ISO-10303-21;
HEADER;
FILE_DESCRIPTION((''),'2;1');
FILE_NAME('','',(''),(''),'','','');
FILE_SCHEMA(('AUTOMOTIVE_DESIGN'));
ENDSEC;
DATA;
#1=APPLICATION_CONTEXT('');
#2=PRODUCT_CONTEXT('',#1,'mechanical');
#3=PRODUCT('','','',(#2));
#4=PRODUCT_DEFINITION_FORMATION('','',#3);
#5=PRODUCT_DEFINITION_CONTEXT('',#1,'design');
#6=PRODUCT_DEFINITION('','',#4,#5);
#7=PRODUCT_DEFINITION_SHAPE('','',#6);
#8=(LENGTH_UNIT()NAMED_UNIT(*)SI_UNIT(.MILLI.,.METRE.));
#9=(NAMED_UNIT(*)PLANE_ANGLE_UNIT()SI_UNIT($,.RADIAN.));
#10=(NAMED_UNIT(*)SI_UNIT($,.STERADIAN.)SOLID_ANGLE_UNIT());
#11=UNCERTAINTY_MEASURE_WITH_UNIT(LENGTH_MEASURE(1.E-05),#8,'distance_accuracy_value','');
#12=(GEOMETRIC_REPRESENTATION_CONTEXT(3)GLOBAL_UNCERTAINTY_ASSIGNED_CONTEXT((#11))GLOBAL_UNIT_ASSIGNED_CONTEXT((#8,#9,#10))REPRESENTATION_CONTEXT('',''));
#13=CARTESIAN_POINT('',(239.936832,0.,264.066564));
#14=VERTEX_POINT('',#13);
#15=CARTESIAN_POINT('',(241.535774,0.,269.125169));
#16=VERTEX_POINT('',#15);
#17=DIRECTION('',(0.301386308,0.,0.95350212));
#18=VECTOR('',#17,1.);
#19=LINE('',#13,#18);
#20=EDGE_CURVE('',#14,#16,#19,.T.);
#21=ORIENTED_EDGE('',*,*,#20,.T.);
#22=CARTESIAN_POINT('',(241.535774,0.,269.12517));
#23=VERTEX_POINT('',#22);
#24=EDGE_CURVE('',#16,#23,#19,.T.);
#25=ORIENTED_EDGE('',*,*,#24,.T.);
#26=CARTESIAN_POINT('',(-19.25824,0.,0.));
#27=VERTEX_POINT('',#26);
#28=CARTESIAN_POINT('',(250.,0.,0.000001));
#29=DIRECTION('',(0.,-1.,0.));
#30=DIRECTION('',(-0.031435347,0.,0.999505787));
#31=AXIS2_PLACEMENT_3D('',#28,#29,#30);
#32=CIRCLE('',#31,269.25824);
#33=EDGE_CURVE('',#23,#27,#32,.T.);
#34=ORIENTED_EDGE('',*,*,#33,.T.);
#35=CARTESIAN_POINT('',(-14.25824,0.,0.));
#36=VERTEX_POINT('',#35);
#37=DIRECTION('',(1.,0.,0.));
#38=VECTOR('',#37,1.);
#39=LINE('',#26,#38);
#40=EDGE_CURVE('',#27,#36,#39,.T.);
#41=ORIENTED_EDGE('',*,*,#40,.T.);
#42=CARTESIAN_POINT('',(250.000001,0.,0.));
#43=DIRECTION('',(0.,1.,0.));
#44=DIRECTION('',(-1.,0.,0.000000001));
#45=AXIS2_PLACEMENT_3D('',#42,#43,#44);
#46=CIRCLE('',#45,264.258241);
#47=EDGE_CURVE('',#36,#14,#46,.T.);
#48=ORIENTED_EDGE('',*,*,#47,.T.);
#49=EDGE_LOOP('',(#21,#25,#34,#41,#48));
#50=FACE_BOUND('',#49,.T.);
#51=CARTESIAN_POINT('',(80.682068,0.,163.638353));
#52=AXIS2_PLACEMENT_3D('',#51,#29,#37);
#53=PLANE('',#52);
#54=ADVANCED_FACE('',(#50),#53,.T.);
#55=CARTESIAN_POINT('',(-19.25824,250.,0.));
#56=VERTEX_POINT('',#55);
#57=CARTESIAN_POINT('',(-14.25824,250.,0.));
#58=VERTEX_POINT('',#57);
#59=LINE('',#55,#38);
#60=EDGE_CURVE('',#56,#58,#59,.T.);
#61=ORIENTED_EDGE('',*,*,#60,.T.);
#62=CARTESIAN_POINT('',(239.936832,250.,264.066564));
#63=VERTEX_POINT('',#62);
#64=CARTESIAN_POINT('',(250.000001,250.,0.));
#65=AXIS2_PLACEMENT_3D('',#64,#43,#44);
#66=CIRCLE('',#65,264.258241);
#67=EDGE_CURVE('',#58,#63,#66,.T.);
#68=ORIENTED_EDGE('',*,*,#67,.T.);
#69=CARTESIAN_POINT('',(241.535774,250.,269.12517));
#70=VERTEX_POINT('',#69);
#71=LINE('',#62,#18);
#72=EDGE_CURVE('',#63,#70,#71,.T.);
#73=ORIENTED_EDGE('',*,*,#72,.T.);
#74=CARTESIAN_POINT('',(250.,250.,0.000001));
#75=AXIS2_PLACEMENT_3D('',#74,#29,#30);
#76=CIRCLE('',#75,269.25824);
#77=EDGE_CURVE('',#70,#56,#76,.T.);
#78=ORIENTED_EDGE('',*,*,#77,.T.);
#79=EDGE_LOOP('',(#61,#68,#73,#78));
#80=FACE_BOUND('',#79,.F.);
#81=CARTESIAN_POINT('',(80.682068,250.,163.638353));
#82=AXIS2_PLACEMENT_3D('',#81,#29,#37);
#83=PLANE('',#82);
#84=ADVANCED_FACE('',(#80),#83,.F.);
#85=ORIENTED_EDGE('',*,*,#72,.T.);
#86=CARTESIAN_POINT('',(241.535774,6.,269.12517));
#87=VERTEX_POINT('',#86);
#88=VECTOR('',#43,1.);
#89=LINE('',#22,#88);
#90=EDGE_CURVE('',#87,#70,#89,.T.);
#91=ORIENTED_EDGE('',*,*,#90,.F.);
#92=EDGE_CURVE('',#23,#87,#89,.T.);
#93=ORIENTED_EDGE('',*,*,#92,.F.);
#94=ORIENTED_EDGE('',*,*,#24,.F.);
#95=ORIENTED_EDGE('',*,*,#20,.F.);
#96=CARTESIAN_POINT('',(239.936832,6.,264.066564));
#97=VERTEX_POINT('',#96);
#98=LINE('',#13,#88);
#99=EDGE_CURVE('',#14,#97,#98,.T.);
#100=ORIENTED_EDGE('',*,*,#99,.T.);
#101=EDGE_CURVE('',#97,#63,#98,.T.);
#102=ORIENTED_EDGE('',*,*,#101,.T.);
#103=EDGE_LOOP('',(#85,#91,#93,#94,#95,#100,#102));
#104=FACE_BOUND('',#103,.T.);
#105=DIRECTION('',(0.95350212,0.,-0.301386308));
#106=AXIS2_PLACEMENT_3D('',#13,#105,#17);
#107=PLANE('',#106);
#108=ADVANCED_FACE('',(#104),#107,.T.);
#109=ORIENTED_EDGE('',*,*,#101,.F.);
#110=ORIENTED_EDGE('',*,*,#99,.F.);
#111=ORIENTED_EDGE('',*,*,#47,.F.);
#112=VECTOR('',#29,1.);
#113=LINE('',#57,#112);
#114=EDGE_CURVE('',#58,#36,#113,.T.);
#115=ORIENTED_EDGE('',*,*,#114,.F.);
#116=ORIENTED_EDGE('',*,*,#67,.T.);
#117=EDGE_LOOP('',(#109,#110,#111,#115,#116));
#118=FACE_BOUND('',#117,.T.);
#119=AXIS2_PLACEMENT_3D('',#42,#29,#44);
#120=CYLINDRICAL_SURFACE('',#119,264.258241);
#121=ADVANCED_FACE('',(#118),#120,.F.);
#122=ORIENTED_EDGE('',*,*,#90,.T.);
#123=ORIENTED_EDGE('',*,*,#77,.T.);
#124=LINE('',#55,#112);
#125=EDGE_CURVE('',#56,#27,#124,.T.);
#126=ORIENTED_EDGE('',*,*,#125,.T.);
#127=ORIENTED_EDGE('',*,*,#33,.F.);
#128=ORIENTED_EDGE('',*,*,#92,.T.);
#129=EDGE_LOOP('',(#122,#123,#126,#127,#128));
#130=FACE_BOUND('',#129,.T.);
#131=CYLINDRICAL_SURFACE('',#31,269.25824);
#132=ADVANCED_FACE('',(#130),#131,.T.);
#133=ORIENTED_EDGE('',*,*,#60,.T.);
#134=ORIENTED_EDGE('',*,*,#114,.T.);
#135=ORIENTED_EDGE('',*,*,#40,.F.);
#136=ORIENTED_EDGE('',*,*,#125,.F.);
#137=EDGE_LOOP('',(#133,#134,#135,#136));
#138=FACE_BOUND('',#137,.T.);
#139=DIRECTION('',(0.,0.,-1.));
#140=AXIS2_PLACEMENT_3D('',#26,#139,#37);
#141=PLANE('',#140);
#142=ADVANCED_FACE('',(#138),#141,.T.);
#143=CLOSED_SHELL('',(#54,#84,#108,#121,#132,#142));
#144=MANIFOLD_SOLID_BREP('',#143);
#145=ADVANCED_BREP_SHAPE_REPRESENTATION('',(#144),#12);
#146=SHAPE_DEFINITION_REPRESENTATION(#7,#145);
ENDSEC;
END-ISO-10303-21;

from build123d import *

# Parameters (mm, degrees)
F1_DEPTH = 6
F2_DEPTH = 250


with BuildPart() as f1:
    # F0 (on Front) → F1 (new body)
    with BuildSketch(Plane.XZ):
        with BuildLine():
            Line((239.936832, 264.066564), (241.535774, 269.12517))
            ThreePointArc((241.535774, 269.12517), (56.636272, 187.377877), (-19.25824, 0))
            Line((-19.25824, 0), (-14.25824, 0))
            ThreePointArc((-14.25824, 0), (59.616581, 183.266394), (239.936832, 264.066564))
        make_face()
    extrude(amount=-F1_DEPTH)

    # F0 (on Front) + F1_face (on face) → F2 (join)
    with BuildSketch(Plane.XZ):
        with BuildLine():
            Line((239.936832, 264.066564), (241.535774, 269.12517))
            ThreePointArc((241.535774, 269.12517), (56.636272, 187.377877), (-19.25824, 0))
            Line((-19.25824, 0), (-14.25824, 0))
            ThreePointArc((-14.25824, 0), (59.616581, 183.266394), (239.936832, 264.066564))
        make_face()
    with BuildSketch(Plane(origin=(76.436369, 0, 167.639659), x_dir=(1, 0, 0), z_dir=(0, -1, 0))):
        with BuildLine():
            Line((-95.694609, -167.639659), (-90.694609, -167.639659))
            ThreePointArc((-90.694609, -167.639659), (-16.819788, 15.626735), (163.500464, 96.426905))
            Line((163.500464, 96.426905), (165.099405, 101.48551))
            ThreePointArc((165.099405, 101.48551), (-19.800097, 19.738217), (-95.694609, -167.639659))
        make_face()
    extrude(amount=-F2_DEPTH)


solid = f1.part
